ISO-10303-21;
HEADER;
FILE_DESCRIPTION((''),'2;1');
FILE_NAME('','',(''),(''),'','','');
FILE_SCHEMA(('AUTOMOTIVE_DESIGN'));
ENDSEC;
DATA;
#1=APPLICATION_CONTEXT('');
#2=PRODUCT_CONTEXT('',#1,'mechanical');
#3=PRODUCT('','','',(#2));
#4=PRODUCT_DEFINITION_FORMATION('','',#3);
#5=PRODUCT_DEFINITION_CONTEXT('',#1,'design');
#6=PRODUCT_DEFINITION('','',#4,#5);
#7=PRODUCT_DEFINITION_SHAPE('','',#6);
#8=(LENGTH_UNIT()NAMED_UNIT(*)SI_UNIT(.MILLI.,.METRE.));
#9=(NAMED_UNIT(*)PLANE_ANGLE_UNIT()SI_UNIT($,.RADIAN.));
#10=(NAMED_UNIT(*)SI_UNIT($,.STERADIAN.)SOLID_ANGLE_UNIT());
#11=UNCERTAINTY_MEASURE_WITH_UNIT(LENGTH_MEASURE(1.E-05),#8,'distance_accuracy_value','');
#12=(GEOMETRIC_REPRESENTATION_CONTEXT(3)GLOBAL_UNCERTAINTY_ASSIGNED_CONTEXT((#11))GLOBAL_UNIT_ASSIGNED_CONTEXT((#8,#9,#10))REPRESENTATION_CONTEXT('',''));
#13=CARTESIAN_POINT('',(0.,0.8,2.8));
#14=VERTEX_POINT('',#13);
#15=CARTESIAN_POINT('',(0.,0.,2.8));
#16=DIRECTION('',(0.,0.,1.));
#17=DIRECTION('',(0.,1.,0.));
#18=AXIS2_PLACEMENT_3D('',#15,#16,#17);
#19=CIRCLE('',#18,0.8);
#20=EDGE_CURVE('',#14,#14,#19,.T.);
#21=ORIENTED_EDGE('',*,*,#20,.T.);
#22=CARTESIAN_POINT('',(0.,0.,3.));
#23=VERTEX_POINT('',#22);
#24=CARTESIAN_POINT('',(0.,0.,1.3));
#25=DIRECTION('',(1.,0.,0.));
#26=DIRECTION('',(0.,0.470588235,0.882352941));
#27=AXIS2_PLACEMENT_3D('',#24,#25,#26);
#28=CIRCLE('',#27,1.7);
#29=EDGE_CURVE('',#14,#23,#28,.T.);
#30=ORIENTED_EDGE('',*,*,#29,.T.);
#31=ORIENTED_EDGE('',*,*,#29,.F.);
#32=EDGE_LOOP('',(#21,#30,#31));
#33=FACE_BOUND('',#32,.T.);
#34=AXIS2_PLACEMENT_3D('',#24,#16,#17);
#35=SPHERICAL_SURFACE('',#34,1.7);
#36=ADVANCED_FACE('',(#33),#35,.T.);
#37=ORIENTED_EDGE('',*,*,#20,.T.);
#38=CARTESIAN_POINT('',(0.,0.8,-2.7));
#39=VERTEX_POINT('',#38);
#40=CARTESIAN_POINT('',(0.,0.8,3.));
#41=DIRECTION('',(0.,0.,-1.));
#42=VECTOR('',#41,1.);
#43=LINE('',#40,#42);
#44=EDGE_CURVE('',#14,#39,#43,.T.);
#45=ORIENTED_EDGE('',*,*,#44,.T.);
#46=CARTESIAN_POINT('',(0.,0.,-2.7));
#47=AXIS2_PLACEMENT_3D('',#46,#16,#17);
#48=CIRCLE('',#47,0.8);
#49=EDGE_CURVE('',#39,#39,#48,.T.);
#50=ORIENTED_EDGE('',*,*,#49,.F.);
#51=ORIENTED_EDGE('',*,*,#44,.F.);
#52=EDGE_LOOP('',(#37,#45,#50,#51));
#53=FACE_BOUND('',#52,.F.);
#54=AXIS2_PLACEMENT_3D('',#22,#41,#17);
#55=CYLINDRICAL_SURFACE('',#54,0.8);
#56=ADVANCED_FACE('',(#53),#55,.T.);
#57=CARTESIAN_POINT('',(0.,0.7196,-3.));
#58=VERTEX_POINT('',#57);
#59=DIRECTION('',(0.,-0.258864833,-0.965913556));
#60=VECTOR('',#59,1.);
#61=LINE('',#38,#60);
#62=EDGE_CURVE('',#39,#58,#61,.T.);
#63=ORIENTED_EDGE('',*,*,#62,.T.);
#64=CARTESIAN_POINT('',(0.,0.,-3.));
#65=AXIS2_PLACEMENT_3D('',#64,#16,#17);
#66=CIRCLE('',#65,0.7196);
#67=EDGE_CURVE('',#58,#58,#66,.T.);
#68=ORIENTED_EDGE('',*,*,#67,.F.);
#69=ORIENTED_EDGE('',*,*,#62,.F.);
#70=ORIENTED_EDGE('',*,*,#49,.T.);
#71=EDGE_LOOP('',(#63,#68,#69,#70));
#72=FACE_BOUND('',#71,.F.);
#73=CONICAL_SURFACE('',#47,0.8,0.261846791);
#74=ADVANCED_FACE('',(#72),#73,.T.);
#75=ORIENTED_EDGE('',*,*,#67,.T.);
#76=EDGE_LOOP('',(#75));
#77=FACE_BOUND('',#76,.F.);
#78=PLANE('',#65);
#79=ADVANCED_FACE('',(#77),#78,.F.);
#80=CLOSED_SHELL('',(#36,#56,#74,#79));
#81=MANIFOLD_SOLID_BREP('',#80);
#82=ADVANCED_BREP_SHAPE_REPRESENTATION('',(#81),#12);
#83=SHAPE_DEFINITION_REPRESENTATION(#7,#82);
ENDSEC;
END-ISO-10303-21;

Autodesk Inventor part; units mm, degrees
ref_plane "YZ Plane" through (0, 0, 0) normal (1, 0, 0) x (0, 1, 0)
ref_plane "XZ Plane" through (0, 0, 0) normal (0, 1, 0) x (-1, 0, 0)
ref_plane "XY Plane" through (0, 0, 0) normal (0, 0, 1) x (1, 0, 0)
sketch "スケッチ1" plane through (0, 0, 0) normal (1, 0, 0) x (0, 1, 0)
  line L0 (0, 3) -> (0.8, 3)
  line L1 (0.8, 3) -> (0.8, -3)
  line L2 (0.8, -3) -> (0, -3)
  line L3 (0, -3) -> (0, 3)
  line L4 (0.8, -2.7) -> (0.7196, -3)
  arc A0 (0.8, 2.8) -> (0, 3) centre (0, 1.3) ccw
  point P0 (0, 0)
  point P1 (0, 0)
  dimension "d0" = 1.6
  dimension "d1" = 6
  dimension "d3" = 0.2
  dimension "d4" = 0.3
  dimension "d5" = 15
revolve "回転1" add sketch "スケッチ1" angle 360 about axis through (0, 0, -3) along (0, 0, 1) contours A0 L1 L4 L2 L3
properties part number "_SPA-SUS-D1.6-6" material "ステンレス鋼"
